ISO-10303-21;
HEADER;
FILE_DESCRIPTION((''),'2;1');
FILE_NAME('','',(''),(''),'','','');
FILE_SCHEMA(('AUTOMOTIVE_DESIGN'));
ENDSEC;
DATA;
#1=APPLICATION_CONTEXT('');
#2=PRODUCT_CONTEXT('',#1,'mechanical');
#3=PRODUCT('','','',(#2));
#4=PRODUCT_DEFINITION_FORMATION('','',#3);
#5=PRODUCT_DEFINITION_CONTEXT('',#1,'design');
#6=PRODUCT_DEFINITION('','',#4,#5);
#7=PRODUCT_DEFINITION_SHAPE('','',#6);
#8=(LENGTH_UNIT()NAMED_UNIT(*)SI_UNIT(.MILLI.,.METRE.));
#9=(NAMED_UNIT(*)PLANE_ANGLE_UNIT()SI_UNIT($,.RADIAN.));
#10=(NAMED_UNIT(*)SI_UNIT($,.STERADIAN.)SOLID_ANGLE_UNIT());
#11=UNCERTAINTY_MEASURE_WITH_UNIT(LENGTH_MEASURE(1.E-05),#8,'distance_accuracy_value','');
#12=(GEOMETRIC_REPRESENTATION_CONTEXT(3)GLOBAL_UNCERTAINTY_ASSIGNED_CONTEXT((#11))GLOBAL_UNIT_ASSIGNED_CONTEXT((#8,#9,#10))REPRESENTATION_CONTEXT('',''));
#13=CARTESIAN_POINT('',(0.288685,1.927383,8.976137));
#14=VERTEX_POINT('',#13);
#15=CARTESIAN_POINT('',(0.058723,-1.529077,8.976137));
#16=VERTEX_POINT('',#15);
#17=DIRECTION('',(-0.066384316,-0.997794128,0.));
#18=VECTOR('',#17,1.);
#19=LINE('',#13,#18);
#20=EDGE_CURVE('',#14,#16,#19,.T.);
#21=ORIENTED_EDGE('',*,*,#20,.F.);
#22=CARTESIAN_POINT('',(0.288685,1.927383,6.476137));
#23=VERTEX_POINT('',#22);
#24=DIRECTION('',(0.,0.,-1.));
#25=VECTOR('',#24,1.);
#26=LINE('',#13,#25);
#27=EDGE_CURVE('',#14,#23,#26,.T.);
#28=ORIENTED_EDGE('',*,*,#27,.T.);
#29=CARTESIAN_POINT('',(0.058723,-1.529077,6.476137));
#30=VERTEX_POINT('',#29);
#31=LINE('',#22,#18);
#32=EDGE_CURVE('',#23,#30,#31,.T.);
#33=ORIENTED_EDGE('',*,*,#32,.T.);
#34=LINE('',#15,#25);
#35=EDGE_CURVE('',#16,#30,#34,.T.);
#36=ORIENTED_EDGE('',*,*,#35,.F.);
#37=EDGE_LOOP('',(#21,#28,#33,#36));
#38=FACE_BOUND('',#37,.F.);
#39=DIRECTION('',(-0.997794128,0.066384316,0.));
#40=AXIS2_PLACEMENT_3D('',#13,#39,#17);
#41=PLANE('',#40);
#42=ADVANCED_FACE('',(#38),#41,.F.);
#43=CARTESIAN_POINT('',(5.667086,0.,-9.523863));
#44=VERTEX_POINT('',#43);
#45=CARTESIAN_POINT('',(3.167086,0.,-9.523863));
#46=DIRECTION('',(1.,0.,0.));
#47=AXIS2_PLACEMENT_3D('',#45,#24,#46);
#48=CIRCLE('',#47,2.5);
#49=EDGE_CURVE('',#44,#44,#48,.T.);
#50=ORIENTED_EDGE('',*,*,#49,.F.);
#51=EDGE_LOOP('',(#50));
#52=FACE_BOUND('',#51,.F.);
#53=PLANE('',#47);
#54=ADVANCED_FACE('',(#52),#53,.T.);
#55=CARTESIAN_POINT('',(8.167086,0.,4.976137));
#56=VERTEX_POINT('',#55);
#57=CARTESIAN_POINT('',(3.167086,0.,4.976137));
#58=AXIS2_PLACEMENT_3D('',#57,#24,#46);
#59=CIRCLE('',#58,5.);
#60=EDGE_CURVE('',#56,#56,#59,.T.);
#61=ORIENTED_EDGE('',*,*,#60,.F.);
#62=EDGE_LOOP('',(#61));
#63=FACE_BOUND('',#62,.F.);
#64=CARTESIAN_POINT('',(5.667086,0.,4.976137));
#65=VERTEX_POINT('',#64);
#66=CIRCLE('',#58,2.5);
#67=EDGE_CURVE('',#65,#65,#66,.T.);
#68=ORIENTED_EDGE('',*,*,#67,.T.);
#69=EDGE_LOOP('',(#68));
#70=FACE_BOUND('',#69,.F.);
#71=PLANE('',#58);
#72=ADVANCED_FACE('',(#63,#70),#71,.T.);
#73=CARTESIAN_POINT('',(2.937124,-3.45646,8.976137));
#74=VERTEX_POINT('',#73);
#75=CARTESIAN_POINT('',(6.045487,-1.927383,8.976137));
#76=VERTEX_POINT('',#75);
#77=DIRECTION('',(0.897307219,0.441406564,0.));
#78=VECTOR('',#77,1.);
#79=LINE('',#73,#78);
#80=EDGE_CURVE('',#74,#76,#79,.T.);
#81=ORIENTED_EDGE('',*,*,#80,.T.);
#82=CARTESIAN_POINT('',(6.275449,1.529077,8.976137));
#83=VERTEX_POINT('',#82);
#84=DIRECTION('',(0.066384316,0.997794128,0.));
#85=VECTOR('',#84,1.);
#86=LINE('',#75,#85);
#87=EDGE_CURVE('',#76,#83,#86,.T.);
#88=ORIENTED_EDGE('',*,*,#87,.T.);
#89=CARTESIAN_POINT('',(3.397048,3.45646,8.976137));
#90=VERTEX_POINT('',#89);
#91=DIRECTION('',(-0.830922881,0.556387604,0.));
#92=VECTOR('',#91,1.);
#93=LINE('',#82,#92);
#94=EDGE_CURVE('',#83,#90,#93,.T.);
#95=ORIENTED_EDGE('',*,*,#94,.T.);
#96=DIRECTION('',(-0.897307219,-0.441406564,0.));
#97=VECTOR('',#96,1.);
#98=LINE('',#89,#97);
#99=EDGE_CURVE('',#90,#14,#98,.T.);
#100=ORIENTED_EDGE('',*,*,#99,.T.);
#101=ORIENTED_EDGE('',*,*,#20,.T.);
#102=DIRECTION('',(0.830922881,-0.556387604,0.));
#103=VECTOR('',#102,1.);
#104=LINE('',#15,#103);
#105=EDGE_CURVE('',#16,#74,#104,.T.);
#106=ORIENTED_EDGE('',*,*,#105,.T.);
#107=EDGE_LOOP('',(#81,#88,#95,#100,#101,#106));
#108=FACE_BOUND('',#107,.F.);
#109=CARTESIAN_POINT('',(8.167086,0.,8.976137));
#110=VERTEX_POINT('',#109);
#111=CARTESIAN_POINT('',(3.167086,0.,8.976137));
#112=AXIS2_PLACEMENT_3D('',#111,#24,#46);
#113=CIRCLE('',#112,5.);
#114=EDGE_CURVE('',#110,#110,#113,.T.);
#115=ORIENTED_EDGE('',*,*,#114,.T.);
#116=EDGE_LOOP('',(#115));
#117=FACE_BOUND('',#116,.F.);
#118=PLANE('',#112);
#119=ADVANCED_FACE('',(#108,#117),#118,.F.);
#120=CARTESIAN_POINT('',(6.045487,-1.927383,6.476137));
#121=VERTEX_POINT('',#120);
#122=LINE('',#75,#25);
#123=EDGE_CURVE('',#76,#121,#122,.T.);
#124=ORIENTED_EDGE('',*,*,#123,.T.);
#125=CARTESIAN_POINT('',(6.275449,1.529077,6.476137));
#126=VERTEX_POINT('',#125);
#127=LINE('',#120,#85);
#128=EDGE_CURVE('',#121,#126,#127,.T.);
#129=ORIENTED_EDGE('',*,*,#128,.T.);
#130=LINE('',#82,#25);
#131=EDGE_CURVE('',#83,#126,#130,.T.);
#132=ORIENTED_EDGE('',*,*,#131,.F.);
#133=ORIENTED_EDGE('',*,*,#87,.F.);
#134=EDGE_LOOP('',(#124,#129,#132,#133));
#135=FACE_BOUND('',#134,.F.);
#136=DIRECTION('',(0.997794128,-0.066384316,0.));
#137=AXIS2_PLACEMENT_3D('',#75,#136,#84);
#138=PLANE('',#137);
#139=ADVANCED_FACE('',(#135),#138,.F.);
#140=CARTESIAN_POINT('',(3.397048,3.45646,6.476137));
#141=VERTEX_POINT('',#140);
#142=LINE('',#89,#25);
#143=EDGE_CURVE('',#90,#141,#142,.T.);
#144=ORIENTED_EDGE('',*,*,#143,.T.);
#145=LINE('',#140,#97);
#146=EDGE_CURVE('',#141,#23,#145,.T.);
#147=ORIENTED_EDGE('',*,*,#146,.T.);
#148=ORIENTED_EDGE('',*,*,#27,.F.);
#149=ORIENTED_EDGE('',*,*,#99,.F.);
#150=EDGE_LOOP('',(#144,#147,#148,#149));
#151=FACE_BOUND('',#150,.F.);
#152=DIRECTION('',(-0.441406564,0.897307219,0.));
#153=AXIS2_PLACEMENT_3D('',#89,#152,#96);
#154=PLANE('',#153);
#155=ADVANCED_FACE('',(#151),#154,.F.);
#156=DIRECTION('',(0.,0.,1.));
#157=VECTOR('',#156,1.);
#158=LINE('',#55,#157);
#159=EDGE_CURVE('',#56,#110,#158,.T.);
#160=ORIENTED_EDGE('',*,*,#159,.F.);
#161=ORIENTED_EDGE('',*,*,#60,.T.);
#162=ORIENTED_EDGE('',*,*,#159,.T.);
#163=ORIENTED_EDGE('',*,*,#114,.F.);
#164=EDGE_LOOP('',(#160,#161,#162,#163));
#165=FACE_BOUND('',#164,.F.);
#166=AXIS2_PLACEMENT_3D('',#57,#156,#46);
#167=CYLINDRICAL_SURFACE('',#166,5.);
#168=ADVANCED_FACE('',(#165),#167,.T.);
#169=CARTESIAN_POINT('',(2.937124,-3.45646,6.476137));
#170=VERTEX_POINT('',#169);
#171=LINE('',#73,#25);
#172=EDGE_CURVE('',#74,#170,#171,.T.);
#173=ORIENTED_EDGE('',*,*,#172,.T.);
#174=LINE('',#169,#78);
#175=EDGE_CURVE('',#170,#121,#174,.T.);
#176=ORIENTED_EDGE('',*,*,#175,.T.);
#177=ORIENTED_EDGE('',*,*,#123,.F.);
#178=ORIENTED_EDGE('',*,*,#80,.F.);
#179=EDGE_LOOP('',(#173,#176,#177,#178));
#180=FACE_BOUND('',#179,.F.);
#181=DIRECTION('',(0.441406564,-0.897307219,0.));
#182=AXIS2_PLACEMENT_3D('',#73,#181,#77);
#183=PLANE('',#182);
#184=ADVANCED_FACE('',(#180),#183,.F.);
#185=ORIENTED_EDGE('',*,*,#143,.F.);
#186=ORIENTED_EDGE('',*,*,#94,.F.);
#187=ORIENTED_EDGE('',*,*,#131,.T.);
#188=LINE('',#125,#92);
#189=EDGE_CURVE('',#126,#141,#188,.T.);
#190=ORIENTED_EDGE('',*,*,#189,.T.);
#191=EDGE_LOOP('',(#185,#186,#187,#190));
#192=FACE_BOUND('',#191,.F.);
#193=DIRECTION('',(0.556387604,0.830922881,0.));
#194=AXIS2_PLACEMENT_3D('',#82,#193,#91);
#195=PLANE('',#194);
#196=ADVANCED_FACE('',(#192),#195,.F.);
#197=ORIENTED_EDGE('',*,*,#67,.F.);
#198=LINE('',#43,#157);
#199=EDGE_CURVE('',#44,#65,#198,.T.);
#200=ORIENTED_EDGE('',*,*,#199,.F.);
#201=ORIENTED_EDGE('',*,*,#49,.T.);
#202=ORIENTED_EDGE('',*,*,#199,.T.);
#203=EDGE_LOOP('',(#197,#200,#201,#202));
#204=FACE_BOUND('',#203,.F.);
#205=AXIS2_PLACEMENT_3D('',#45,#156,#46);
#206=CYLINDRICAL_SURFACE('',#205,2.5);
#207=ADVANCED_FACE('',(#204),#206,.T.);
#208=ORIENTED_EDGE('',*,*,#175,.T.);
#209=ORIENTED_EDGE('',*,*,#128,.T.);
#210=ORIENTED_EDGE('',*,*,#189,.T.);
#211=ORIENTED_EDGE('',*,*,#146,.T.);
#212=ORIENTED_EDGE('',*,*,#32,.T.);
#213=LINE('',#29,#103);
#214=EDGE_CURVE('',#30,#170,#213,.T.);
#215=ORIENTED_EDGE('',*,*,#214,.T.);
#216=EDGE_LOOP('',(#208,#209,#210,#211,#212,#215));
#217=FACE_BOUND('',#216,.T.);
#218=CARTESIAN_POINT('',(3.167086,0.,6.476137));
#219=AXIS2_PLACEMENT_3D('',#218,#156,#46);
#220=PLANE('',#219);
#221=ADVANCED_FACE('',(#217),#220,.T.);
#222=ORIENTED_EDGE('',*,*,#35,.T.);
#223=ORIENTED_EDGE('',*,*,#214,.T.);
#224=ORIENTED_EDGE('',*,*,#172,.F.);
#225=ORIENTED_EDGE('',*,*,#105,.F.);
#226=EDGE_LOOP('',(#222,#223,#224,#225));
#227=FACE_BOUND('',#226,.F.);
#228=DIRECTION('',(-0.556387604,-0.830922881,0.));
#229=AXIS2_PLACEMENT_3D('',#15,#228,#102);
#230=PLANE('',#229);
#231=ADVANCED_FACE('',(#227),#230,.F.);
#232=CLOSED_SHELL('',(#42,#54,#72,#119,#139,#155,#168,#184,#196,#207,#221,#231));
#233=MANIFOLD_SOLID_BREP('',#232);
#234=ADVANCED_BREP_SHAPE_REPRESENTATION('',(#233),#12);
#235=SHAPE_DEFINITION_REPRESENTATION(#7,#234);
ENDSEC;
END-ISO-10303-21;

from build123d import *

# Parameters (mm, degrees)
F3_DEPTH = 2.5


with BuildPart() as f1:
    # F0 (on Front) → F1 (revolve)
    with BuildSketch(Plane.XZ):
        Polygon((5.667086, 8.976137), (3.167086, 8.976137), (3.167086, -9.523863), (5.667086, -9.523863), (5.667086, 4.976137), (8.167086, 4.976137), (8.167086, 8.976137), align=None)
    revolve(axis=Axis((3.167086, 0, 1.163182), (0, 0, -1)))

    # F2 (on face) → F3 (cut)
    with BuildSketch(Plane.XY.offset(8.976137)):
        Polygon((2.937124, -3.45646), (6.045487, -1.927383), (6.275449, 1.529077), (3.397048, 3.45646), (0.288685, 1.927383), (0.058723, -1.529077), align=None)
    extrude(amount=-F3_DEPTH, mode=Mode.SUBTRACT)


solid = f1.part
